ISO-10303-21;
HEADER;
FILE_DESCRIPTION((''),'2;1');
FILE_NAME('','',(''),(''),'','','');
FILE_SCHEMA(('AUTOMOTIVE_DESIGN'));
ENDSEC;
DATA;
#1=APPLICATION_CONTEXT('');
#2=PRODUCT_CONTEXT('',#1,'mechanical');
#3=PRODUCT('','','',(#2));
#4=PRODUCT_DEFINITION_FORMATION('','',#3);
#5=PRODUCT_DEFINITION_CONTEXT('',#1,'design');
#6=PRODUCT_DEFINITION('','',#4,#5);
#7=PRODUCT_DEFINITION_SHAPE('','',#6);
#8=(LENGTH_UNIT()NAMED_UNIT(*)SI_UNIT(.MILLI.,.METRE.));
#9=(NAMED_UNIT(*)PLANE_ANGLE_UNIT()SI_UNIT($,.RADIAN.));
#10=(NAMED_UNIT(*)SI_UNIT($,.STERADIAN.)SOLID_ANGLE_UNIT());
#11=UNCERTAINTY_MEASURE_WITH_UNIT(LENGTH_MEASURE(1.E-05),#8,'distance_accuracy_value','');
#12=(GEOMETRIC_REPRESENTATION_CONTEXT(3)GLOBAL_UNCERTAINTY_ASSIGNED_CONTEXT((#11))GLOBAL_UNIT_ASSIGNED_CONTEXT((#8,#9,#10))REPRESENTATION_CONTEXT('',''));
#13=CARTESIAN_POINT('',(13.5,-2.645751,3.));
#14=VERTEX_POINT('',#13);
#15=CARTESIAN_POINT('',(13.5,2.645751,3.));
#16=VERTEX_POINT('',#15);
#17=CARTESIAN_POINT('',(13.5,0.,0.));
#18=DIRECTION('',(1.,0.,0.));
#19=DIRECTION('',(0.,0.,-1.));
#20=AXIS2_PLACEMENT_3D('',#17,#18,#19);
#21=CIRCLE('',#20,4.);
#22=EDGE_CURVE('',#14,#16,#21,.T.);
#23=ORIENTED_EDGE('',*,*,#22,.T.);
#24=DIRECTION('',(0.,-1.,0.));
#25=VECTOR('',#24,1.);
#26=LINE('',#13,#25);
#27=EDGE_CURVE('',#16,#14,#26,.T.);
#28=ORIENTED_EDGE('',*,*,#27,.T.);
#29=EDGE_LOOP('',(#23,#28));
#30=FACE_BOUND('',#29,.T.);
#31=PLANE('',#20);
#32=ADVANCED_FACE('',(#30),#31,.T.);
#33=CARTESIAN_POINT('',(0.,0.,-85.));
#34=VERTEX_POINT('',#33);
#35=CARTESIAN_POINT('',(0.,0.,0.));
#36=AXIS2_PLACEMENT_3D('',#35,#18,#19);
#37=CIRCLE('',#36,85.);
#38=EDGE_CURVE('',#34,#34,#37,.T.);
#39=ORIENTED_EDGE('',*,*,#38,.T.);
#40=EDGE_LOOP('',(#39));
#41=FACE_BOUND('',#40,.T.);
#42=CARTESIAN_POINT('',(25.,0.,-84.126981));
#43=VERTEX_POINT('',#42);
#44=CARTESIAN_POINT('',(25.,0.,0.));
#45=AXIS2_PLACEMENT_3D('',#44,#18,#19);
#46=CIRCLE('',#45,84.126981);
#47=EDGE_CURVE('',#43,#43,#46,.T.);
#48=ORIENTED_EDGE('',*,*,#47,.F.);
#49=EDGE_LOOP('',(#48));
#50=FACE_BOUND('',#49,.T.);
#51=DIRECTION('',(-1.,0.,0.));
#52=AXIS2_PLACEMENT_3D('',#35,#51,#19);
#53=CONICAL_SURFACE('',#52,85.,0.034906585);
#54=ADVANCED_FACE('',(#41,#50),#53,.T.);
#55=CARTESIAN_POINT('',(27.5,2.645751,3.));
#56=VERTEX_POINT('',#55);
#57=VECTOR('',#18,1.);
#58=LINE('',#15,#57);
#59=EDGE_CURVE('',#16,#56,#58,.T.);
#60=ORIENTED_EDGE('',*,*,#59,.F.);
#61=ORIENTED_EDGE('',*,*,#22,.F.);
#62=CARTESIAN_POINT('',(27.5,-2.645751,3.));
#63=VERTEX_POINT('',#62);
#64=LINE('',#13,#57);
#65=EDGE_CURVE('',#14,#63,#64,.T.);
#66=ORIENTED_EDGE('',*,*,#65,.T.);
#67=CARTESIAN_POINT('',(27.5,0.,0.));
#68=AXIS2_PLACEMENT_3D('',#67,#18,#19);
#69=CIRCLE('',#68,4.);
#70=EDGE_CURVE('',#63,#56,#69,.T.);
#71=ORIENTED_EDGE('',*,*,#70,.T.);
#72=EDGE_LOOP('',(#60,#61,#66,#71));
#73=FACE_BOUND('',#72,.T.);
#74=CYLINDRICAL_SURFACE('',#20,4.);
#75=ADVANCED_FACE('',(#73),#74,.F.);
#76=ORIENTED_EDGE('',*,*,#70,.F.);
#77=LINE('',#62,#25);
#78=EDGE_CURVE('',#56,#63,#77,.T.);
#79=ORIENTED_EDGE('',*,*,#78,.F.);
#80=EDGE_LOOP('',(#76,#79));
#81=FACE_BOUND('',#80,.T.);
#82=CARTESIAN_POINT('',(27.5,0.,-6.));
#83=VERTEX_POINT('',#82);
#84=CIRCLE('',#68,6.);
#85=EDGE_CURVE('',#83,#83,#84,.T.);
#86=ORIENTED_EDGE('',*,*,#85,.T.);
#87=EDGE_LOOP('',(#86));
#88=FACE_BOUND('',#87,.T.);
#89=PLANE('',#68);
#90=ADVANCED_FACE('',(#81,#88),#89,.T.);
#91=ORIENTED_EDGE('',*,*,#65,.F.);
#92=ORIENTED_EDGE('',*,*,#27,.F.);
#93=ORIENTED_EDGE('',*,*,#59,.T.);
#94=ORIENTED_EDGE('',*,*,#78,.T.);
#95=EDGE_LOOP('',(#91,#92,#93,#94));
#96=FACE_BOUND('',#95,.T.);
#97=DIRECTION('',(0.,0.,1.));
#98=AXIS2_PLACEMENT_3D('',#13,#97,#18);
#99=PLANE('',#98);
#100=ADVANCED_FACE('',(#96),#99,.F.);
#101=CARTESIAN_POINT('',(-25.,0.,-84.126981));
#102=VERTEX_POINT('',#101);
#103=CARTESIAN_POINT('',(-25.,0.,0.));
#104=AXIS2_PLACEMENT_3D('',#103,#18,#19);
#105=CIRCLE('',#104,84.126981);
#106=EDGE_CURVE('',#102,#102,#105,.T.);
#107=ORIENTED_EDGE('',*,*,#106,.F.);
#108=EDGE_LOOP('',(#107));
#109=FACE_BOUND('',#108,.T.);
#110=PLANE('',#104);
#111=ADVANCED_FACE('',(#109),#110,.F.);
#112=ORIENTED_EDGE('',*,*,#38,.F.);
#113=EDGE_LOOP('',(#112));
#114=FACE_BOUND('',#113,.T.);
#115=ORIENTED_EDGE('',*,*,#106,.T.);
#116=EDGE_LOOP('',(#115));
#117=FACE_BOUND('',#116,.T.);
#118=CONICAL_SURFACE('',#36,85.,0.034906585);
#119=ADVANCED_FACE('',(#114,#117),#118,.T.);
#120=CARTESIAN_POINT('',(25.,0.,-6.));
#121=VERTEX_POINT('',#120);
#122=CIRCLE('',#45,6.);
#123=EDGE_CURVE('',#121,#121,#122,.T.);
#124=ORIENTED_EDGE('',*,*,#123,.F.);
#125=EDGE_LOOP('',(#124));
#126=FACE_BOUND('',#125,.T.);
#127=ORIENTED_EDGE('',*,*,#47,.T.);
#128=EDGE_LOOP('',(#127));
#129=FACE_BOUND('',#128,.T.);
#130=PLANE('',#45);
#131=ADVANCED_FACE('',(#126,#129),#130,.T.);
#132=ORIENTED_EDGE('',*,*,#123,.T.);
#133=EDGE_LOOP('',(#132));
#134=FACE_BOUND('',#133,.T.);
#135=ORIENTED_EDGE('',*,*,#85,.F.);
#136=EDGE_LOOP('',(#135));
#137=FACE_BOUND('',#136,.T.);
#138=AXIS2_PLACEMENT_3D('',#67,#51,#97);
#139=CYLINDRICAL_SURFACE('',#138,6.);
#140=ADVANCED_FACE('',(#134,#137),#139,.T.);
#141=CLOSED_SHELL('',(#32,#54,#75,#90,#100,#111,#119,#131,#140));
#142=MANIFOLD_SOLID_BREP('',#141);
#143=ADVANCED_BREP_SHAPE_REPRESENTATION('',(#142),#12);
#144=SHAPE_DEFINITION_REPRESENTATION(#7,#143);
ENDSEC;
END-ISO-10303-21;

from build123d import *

# Parameters (mm, degrees)
SKETCH1_R                     = 85
BOSS_EXTRUDE1_DEPTH           = 25
BOSS_EXTRUDE1_TAPER           = 2
BOSS_EXTRUDE1_OTHER_WAY_DEPTH = 25
BOSS_EXTRUDE1_OTHER_WAY_TAPER = 2
SKETCH2_R                     = 6
BOSS_EXTRUDE2_DEPTH           = 2.5
CUT_EXTRUDE1_DEPTH            = 14


with BuildPart() as part:
    # Sketch1 → Boss-Extrude1 (new body)
    with BuildSketch(Plane(origin=(0, 0, 0), x_dir=(0, 0, -1), z_dir=(1, 0, 0))):
        Circle(SKETCH1_R)
    extrude(amount=BOSS_EXTRUDE1_DEPTH, taper=BOSS_EXTRUDE1_TAPER)

    # Sketch1 → Boss-Extrude1 other way (add)
    with BuildSketch(Plane(origin=(0, 0, 0), x_dir=(0, 0, -1), z_dir=(1, 0, 0))):
        Circle(SKETCH1_R)
    extrude(amount=-BOSS_EXTRUDE1_OTHER_WAY_DEPTH, taper=BOSS_EXTRUDE1_OTHER_WAY_TAPER)

    # Sketch2 → Boss-Extrude2 (add)
    with BuildSketch(Plane(origin=(25, 0, 0), x_dir=(0, 0, -1), z_dir=(1, 0, 0))):
        Circle(SKETCH2_R)
    extrude(amount=BOSS_EXTRUDE2_DEPTH)

    # Sketch3 → Cut-Extrude1 (cut)
    with BuildSketch(Plane(origin=(27.5, 0, 0), x_dir=(0, 0, -1), z_dir=(1, 0, 0))):
        with BuildLine():
            Line((-3, -2.645751311), (-3, 2.645751311))
            ThreePointArc((-3, 2.645751311), (4, 0), (-3, -2.645751311))
        make_face()
    extrude(amount=-CUT_EXTRUDE1_DEPTH, mode=Mode.SUBTRACT)


solid = part.part
